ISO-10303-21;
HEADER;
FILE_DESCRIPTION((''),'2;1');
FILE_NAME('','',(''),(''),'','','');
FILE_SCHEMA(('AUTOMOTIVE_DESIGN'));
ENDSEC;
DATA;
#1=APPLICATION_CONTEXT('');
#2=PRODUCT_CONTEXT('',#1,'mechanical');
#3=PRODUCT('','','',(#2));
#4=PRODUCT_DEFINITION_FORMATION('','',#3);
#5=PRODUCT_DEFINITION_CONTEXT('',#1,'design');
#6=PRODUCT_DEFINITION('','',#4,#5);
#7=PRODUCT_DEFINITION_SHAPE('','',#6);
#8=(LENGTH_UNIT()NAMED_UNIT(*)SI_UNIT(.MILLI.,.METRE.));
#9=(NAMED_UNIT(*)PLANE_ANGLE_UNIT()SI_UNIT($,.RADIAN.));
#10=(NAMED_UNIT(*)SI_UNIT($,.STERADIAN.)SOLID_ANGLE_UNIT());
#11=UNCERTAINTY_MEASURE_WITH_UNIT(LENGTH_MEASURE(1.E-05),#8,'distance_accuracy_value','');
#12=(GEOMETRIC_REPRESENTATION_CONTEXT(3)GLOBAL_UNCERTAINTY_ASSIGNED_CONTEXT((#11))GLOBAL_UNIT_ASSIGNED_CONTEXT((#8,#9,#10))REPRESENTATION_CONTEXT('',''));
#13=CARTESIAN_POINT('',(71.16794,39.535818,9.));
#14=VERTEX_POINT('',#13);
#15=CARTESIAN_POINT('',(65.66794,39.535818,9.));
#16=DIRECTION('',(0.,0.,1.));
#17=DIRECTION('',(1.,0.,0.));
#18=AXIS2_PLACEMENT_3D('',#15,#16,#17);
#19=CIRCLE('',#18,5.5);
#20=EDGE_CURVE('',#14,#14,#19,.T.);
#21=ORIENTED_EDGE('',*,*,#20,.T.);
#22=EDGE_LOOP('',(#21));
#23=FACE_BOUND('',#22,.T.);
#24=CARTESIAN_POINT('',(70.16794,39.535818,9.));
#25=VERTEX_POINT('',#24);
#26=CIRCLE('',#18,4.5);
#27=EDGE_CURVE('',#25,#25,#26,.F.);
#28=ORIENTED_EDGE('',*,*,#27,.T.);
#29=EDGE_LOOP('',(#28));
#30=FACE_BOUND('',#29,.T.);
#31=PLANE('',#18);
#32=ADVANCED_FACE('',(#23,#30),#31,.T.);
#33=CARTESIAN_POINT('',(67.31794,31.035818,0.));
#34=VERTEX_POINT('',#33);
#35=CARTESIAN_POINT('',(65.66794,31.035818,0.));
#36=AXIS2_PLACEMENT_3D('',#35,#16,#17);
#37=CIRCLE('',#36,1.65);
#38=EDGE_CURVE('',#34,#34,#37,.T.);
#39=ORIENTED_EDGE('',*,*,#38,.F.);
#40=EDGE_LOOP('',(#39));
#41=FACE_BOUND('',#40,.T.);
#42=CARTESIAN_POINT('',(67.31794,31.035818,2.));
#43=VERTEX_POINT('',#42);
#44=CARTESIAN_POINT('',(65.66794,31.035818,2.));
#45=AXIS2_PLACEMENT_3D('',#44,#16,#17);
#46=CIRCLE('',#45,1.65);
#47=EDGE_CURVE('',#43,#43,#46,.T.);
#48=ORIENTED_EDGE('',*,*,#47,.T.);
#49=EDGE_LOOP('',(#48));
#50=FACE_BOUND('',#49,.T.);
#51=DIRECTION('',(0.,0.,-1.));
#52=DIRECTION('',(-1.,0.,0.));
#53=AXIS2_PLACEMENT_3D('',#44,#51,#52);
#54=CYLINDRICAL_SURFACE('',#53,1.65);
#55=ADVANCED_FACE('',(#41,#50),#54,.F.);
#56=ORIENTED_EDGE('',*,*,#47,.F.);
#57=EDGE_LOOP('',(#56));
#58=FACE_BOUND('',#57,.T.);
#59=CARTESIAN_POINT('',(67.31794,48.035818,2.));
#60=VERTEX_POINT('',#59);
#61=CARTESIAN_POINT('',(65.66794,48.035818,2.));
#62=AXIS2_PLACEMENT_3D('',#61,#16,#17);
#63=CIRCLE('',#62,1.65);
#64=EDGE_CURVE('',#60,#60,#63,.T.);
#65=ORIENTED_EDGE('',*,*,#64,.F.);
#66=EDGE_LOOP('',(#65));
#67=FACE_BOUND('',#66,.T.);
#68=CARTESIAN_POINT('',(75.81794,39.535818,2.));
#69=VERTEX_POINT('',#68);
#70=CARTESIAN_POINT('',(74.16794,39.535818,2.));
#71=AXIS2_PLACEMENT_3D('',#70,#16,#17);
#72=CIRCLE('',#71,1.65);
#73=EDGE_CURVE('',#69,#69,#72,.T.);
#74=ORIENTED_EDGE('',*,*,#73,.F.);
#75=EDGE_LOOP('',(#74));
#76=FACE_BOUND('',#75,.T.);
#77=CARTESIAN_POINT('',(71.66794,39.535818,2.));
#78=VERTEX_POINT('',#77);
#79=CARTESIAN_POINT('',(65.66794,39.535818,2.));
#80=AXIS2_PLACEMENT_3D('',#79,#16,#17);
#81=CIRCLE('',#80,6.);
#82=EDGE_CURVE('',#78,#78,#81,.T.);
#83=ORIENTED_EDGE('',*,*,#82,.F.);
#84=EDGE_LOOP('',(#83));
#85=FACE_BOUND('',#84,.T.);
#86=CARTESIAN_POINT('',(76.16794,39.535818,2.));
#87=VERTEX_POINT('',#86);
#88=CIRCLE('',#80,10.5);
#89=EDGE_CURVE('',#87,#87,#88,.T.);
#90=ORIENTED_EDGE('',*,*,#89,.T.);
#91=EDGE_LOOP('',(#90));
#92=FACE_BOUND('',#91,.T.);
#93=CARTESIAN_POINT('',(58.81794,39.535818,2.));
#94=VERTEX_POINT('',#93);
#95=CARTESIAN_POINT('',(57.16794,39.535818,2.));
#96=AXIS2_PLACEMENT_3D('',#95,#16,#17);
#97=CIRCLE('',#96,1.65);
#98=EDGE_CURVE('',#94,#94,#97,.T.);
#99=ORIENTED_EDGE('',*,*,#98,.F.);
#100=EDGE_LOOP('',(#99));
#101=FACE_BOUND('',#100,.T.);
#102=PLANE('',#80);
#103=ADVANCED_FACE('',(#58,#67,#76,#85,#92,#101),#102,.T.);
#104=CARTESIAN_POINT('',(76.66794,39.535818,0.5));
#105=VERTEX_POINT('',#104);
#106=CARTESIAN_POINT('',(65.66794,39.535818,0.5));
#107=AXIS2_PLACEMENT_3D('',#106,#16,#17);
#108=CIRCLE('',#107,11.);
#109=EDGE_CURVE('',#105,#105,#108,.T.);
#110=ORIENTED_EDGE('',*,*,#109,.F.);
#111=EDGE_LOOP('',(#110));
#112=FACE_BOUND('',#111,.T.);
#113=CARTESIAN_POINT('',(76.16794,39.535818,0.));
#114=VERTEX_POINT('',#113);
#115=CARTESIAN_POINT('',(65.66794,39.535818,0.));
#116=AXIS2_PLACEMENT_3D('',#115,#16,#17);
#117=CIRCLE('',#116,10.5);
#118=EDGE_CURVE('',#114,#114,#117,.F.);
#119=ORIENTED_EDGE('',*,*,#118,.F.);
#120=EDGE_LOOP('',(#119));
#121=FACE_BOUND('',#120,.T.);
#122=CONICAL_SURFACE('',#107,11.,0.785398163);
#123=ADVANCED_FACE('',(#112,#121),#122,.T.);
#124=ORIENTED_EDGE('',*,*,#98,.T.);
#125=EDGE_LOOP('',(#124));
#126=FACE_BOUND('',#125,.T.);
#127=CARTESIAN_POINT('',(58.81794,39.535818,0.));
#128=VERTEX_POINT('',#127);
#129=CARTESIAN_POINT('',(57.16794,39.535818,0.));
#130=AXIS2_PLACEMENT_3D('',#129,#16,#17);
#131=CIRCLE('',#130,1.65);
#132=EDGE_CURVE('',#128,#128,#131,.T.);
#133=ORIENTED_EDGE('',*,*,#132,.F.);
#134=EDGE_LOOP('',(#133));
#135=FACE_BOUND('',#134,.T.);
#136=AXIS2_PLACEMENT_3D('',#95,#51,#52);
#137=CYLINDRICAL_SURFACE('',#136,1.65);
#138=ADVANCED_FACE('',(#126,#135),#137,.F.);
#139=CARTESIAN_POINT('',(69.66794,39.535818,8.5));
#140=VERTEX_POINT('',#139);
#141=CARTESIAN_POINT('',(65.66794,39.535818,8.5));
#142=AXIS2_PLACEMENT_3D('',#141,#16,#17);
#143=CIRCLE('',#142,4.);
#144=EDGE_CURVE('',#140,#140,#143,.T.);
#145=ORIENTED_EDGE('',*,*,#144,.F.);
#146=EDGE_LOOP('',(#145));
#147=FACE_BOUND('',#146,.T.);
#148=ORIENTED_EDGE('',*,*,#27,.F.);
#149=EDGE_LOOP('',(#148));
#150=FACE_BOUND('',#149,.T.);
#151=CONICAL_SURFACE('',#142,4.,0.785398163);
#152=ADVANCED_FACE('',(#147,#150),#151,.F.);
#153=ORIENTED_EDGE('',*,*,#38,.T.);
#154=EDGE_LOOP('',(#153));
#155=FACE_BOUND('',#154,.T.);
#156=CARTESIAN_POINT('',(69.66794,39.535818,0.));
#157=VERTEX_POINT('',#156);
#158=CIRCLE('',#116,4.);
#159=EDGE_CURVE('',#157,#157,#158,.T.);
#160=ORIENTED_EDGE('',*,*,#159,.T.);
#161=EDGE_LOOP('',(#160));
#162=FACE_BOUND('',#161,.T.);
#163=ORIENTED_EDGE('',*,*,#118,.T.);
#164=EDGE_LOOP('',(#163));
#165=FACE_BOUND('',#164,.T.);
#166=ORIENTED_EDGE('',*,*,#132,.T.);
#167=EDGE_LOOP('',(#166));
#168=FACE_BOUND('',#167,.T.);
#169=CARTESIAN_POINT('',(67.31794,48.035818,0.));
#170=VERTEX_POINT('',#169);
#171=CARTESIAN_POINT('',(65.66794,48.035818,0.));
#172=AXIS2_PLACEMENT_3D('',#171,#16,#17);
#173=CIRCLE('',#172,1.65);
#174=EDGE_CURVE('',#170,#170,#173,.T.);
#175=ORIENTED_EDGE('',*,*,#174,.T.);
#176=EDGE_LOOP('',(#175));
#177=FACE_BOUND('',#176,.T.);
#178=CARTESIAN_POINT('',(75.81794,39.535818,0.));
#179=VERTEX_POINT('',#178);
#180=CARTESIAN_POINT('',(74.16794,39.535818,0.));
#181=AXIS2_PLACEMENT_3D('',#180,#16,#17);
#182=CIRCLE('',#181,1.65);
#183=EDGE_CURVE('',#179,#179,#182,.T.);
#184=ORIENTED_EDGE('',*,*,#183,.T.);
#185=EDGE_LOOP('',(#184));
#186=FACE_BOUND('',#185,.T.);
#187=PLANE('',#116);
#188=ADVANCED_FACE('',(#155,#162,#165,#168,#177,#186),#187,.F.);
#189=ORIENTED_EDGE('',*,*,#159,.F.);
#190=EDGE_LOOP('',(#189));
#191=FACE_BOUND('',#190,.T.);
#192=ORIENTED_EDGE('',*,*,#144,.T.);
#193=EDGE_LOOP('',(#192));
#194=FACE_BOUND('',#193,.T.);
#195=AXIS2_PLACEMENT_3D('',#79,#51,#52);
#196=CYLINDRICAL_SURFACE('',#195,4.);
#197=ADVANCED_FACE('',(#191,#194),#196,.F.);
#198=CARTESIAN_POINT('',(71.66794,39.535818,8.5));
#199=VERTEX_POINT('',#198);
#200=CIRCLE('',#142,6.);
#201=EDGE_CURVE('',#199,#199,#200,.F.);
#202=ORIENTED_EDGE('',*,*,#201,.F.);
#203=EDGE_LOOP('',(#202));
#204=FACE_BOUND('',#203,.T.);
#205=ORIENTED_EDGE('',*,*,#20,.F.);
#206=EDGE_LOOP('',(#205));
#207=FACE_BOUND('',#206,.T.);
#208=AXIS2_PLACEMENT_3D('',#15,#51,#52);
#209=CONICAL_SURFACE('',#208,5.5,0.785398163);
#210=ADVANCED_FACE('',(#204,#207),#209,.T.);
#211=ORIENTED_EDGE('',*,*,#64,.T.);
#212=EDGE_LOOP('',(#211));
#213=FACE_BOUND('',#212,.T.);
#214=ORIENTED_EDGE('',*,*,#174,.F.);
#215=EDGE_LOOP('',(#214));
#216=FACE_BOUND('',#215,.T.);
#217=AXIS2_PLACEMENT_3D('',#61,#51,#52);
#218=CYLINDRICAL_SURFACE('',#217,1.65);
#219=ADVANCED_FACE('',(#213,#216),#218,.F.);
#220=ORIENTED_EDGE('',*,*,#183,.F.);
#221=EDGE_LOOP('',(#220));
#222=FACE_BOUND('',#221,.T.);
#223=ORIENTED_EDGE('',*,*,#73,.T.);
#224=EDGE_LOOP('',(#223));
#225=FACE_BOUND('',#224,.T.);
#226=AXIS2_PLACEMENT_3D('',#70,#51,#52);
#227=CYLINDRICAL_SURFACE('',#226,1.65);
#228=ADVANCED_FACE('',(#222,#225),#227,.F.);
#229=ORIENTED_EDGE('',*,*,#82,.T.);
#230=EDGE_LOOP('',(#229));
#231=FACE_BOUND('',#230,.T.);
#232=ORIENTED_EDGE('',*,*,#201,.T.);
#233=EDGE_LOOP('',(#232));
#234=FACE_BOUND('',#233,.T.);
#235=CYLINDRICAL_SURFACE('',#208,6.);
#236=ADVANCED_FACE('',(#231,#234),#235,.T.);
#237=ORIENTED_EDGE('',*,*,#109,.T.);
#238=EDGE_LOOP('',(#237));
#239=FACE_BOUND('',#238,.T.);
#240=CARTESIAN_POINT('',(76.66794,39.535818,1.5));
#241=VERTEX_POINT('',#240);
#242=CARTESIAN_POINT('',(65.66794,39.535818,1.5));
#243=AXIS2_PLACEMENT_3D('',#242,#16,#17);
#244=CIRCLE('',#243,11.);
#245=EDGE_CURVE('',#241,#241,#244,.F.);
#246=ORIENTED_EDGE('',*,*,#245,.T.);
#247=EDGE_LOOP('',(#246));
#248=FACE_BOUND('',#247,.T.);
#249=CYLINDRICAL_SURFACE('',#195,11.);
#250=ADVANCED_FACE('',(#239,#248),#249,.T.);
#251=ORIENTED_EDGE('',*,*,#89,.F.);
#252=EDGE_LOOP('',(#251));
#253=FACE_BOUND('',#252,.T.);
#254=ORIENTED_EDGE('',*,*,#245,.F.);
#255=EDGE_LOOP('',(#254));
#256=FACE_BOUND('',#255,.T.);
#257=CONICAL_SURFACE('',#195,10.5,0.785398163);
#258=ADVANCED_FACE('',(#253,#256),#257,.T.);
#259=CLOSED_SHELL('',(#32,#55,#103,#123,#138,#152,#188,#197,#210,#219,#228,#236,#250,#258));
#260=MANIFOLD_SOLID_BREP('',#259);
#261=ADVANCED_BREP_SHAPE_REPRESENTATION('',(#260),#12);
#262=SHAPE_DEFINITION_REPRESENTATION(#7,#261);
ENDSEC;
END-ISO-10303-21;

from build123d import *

# Parameters (mm, degrees)
ESQUISSE1_R        = 11
ESQUISSE1_R_2      = 4
ESQUISSE1_R_3      = 1.65
BOSS_EXTRU_1_DEPTH = 2
ESQUISSE2_R        = 6
ESQUISSE2_R_2      = 4
BOSS_EXTRU_2_DEPTH = 7
CHANFREIN1_SIZE    = 0.5


with BuildPart() as part:
    # Esquisse1 → Boss.-Extru.1 (new body)
    with BuildSketch(Plane.XY):
        with Locations((65.66793974, 39.535817655)):
            Circle(ESQUISSE1_R)
        with Locations((65.66793974, 39.535817655)):
            Circle(ESQUISSE1_R_2, mode=Mode.SUBTRACT)
        with Locations((65.66793974, 48.035817655)):
            Circle(ESQUISSE1_R_3, mode=Mode.SUBTRACT)
        with Locations((74.16793974, 39.535817655)):
            Circle(ESQUISSE1_R_3, mode=Mode.SUBTRACT)
        with Locations((65.66793974, 31.035817655)):
            Circle(ESQUISSE1_R_3, mode=Mode.SUBTRACT)
        with Locations((57.16793974, 39.535817655)):
            Circle(ESQUISSE1_R_3, mode=Mode.SUBTRACT)
    extrude(amount=BOSS_EXTRU_1_DEPTH)

    # Esquisse2 → Boss.-Extru.2 (add)
    with BuildSketch(Plane.XY.offset(2)):
        with Locations((65.66793974, 39.535817655)):
            Circle(ESQUISSE2_R)
        with Locations((65.66793974, 39.535817655)):
            Circle(ESQUISSE2_R_2, mode=Mode.SUBTRACT)
    extrude(amount=BOSS_EXTRU_2_DEPTH)

    # Chanfrein1
    chanfrein1_edges = [part.edges().sort_by_distance(p)[0] for p in [
        (54.66793974, 39.535817655, 0),
        (59.66793974, 39.535817655, 9),
        (61.66793974, 39.535817655, 9),
        (54.66793974, 39.535817655, 2),
    ]]
    chamfer(chanfrein1_edges, length=CHANFREIN1_SIZE)


solid = part.part
